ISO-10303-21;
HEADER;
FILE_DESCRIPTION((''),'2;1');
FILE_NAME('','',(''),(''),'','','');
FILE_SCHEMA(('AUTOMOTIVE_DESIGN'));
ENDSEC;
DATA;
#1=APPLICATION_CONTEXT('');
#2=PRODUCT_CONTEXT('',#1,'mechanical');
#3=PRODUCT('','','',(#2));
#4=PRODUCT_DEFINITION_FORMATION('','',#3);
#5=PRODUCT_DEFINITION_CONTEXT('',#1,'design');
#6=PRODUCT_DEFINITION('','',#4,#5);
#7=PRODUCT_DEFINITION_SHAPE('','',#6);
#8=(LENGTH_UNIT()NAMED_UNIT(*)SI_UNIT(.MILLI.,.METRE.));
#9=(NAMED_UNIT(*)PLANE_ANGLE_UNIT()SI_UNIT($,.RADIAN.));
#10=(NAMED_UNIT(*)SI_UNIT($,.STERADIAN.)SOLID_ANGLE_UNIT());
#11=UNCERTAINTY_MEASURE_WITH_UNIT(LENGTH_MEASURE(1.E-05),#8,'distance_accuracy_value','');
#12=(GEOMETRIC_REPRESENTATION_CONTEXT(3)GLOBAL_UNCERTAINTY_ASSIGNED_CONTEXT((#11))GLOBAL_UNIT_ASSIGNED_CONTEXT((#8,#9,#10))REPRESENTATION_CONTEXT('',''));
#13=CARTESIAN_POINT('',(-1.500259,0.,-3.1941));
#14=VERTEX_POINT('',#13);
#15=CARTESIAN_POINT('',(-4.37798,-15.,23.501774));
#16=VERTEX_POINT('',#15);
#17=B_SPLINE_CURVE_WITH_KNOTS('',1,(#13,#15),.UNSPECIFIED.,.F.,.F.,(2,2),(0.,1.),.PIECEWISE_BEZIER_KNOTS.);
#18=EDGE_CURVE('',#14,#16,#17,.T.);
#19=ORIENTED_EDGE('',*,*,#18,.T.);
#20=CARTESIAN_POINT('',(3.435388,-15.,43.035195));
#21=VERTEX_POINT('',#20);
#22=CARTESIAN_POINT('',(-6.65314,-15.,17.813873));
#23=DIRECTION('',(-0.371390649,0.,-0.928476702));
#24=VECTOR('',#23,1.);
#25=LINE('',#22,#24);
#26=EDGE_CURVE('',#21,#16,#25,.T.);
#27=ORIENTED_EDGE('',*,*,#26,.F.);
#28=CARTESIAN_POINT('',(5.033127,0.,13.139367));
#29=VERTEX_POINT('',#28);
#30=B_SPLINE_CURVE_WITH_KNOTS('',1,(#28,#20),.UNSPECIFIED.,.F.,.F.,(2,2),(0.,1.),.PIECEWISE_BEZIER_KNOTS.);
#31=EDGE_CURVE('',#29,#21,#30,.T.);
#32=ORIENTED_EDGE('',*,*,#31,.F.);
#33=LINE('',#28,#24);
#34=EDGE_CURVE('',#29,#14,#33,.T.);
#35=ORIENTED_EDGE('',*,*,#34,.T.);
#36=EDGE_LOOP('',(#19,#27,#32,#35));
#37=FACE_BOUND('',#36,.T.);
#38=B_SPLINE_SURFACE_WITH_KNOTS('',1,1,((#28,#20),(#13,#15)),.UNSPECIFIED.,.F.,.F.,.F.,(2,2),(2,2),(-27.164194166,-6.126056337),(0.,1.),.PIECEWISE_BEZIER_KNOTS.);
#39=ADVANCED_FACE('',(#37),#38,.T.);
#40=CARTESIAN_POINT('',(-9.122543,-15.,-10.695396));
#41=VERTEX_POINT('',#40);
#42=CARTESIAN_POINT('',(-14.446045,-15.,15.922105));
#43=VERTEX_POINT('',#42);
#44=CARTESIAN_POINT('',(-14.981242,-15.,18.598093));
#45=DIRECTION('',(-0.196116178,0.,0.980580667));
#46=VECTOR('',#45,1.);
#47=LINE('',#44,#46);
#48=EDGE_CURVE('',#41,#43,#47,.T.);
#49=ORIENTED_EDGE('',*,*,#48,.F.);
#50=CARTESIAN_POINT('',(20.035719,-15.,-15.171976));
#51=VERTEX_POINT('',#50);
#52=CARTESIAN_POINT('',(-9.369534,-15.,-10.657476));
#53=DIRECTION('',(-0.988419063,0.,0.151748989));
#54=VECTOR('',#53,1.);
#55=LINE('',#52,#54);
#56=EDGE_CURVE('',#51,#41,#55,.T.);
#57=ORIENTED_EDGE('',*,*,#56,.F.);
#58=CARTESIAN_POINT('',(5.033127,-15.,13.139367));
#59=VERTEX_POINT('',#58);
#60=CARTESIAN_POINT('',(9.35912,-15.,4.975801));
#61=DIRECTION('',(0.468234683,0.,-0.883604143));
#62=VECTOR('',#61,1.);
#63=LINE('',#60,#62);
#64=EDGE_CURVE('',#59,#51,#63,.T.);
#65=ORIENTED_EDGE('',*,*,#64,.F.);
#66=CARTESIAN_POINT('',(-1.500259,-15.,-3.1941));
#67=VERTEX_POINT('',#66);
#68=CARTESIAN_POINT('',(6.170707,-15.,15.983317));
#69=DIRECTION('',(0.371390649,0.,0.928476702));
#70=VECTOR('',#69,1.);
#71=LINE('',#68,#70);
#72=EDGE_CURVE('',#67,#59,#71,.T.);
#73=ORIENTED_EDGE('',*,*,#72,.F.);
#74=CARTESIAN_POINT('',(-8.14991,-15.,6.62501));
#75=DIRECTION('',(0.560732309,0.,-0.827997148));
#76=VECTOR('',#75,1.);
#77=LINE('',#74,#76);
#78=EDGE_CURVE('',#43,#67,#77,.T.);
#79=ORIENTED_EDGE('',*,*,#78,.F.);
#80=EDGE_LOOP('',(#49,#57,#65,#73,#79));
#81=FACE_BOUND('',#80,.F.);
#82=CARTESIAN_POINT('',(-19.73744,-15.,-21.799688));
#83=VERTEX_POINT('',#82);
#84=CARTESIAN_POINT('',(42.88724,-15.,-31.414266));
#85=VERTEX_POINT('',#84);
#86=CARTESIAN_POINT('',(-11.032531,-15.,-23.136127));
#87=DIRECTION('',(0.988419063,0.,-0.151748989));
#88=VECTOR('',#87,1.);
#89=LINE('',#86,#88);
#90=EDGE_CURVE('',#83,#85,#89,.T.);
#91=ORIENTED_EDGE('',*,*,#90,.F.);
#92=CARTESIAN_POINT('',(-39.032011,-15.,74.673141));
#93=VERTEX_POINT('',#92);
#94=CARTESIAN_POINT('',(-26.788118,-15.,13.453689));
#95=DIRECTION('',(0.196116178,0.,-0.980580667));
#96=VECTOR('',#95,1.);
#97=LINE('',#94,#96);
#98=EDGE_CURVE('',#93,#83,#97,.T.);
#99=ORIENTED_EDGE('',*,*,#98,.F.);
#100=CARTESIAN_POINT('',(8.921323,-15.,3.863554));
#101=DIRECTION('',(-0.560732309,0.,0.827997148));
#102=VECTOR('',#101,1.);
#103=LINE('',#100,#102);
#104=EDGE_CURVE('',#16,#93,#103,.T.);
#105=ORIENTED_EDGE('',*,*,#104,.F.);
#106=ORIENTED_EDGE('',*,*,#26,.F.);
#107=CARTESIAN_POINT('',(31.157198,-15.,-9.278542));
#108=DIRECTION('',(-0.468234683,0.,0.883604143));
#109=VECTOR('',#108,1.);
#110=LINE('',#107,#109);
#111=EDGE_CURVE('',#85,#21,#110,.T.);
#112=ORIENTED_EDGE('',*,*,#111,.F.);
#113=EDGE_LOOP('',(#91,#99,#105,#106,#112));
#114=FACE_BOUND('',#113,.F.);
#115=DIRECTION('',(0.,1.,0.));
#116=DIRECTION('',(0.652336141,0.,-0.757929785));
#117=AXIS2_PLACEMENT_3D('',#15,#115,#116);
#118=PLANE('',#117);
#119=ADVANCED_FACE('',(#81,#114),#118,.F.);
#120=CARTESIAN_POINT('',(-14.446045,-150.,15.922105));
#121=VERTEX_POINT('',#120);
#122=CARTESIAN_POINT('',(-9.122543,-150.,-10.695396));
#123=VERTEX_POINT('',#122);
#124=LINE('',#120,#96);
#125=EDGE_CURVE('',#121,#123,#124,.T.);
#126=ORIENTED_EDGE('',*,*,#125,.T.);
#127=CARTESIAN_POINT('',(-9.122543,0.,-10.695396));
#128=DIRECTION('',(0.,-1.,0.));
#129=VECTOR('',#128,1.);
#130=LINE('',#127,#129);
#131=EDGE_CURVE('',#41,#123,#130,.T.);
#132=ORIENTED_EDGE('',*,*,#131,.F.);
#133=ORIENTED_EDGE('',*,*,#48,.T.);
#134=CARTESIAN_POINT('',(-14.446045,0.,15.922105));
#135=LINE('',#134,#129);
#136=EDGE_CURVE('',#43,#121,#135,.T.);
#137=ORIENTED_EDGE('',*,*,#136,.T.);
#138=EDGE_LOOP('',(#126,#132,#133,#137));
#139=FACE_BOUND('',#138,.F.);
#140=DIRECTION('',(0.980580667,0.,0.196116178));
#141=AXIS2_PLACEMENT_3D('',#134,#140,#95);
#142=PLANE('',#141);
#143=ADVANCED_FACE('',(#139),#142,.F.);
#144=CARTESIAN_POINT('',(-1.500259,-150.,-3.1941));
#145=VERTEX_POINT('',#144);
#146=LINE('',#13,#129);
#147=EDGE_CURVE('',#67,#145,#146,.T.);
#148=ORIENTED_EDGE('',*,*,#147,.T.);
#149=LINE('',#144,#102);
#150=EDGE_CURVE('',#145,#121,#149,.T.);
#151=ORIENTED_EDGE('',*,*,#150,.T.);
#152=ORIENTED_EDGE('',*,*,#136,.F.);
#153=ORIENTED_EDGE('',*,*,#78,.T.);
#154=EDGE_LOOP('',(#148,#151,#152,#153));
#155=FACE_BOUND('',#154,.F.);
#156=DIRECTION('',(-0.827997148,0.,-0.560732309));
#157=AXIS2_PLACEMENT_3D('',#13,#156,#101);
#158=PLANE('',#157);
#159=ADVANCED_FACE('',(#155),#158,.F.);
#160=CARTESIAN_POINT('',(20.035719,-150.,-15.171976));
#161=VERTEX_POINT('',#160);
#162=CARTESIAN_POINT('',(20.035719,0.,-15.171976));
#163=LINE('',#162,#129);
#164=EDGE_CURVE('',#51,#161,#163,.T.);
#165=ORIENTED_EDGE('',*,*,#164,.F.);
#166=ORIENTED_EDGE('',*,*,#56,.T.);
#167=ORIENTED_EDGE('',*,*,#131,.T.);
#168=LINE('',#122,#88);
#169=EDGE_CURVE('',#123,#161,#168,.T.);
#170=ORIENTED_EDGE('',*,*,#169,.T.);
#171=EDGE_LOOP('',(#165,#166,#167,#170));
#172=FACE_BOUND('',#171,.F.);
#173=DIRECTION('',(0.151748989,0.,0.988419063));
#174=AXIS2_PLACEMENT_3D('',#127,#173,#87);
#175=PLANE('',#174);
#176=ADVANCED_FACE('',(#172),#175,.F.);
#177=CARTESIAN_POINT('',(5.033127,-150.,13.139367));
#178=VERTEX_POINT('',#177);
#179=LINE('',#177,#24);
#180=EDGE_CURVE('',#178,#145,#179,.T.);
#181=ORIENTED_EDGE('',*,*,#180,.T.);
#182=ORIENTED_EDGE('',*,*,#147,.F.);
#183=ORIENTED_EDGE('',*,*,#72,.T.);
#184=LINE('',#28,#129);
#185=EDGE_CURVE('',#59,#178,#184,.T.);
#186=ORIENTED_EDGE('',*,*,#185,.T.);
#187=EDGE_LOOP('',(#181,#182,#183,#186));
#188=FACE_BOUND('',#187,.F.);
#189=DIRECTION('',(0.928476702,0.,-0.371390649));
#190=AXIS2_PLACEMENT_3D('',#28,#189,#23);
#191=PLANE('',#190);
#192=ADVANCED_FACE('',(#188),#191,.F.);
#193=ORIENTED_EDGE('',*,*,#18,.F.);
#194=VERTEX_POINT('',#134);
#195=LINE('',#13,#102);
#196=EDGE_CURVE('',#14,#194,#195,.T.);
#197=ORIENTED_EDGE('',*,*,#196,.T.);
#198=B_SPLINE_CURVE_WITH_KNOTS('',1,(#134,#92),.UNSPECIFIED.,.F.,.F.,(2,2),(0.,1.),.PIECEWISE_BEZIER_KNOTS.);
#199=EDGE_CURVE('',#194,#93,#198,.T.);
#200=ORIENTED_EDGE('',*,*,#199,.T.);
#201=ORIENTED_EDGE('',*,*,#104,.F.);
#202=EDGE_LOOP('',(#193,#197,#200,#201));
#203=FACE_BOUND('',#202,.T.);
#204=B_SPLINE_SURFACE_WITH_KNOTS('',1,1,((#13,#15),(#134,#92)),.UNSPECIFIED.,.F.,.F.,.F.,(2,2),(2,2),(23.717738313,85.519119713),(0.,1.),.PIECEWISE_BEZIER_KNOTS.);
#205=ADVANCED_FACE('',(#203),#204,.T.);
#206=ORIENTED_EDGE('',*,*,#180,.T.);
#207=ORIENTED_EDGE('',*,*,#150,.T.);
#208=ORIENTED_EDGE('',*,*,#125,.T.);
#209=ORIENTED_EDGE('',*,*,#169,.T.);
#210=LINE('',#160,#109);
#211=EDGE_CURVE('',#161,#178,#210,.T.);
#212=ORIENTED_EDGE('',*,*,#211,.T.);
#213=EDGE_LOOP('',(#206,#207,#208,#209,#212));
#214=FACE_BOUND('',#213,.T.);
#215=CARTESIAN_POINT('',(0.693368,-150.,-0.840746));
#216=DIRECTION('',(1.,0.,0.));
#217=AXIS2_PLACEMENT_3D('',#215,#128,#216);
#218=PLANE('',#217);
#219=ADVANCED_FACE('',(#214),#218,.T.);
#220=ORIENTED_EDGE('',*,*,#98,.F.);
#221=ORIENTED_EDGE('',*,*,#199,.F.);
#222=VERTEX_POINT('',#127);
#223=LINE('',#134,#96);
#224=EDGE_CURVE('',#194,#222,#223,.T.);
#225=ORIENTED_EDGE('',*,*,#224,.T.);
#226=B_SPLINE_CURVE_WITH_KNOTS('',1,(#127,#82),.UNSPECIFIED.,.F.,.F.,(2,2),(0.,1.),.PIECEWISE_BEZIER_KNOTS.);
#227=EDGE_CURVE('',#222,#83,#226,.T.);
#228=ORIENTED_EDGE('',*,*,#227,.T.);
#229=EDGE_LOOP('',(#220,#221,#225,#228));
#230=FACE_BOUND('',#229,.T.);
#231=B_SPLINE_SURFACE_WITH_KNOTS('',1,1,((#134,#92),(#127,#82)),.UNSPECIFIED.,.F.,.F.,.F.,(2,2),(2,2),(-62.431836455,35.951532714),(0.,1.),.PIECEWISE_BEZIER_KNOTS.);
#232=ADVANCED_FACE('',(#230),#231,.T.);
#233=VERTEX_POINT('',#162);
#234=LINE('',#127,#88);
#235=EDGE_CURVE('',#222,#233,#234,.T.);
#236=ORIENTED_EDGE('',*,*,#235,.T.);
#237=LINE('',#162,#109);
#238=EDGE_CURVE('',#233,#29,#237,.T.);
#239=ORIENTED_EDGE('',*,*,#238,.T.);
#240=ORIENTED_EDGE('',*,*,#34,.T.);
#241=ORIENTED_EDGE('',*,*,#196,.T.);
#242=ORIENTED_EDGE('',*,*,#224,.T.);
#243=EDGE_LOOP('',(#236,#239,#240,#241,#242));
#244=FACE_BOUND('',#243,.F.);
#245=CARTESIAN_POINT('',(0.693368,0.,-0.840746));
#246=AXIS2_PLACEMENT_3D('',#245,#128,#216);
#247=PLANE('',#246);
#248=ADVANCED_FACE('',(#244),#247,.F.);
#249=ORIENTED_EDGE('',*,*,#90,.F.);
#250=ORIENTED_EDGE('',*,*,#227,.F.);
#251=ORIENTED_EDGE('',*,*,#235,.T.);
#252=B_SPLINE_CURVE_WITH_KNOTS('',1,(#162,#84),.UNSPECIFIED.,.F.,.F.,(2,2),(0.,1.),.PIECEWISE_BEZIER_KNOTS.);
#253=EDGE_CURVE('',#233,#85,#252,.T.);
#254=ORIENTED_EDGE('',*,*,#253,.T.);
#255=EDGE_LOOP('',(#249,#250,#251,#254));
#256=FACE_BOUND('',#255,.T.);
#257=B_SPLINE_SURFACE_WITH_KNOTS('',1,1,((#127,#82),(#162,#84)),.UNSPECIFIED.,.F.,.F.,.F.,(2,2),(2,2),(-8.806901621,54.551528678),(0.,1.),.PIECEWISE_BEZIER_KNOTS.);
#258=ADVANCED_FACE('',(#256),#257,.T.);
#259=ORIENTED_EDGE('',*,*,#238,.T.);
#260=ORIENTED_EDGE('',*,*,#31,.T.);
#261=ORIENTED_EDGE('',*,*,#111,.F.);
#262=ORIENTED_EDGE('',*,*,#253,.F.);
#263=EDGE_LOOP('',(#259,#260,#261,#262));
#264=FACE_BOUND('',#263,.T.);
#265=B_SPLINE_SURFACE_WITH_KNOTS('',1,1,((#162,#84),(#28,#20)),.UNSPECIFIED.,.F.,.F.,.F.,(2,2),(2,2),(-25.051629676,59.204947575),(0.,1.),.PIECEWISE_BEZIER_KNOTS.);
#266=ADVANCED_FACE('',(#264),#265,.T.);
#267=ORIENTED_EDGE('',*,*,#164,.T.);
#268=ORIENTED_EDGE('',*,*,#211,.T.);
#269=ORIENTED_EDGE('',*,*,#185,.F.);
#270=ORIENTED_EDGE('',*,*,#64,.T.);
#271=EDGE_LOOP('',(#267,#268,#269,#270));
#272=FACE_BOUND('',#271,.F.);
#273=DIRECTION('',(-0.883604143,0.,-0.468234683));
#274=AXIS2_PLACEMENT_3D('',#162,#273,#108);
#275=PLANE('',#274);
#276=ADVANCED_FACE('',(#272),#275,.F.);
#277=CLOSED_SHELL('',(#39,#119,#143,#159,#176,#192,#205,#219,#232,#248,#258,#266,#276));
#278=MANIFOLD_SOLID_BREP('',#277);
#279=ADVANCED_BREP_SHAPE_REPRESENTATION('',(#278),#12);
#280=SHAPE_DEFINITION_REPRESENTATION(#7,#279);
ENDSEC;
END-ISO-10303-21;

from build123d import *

# Parameters (mm, degrees)
F1_DEPTH = 150
F2_DEPTH = 15
F2_TAPER = -40


with BuildPart() as f1:
    # F0 (on Front) → F1 (new body)
    with BuildSketch(Plane.XZ):
        Polygon((-1.5002588741, -3.1941000372), (-14.446044527, 15.9221046604), (-9.1225432232, -10.6953958049), (20.0357193127, -15.1719756424), (5.0331273116, 13.1393668242), align=None)
    extrude(amount=F1_DEPTH)

    # F0 (on Front) → F2 (join)
    with BuildSketch(Plane.XZ):
        Polygon((-1.5002588741, -3.1941000372), (-14.446044527, 15.9221046604), (-9.1225432232, -10.6953958049), (20.0357193127, -15.1719756424), (5.0331273116, 13.1393668242), align=None)
    extrude(amount=F2_DEPTH, taper=F2_TAPER)


solid = f1.part
